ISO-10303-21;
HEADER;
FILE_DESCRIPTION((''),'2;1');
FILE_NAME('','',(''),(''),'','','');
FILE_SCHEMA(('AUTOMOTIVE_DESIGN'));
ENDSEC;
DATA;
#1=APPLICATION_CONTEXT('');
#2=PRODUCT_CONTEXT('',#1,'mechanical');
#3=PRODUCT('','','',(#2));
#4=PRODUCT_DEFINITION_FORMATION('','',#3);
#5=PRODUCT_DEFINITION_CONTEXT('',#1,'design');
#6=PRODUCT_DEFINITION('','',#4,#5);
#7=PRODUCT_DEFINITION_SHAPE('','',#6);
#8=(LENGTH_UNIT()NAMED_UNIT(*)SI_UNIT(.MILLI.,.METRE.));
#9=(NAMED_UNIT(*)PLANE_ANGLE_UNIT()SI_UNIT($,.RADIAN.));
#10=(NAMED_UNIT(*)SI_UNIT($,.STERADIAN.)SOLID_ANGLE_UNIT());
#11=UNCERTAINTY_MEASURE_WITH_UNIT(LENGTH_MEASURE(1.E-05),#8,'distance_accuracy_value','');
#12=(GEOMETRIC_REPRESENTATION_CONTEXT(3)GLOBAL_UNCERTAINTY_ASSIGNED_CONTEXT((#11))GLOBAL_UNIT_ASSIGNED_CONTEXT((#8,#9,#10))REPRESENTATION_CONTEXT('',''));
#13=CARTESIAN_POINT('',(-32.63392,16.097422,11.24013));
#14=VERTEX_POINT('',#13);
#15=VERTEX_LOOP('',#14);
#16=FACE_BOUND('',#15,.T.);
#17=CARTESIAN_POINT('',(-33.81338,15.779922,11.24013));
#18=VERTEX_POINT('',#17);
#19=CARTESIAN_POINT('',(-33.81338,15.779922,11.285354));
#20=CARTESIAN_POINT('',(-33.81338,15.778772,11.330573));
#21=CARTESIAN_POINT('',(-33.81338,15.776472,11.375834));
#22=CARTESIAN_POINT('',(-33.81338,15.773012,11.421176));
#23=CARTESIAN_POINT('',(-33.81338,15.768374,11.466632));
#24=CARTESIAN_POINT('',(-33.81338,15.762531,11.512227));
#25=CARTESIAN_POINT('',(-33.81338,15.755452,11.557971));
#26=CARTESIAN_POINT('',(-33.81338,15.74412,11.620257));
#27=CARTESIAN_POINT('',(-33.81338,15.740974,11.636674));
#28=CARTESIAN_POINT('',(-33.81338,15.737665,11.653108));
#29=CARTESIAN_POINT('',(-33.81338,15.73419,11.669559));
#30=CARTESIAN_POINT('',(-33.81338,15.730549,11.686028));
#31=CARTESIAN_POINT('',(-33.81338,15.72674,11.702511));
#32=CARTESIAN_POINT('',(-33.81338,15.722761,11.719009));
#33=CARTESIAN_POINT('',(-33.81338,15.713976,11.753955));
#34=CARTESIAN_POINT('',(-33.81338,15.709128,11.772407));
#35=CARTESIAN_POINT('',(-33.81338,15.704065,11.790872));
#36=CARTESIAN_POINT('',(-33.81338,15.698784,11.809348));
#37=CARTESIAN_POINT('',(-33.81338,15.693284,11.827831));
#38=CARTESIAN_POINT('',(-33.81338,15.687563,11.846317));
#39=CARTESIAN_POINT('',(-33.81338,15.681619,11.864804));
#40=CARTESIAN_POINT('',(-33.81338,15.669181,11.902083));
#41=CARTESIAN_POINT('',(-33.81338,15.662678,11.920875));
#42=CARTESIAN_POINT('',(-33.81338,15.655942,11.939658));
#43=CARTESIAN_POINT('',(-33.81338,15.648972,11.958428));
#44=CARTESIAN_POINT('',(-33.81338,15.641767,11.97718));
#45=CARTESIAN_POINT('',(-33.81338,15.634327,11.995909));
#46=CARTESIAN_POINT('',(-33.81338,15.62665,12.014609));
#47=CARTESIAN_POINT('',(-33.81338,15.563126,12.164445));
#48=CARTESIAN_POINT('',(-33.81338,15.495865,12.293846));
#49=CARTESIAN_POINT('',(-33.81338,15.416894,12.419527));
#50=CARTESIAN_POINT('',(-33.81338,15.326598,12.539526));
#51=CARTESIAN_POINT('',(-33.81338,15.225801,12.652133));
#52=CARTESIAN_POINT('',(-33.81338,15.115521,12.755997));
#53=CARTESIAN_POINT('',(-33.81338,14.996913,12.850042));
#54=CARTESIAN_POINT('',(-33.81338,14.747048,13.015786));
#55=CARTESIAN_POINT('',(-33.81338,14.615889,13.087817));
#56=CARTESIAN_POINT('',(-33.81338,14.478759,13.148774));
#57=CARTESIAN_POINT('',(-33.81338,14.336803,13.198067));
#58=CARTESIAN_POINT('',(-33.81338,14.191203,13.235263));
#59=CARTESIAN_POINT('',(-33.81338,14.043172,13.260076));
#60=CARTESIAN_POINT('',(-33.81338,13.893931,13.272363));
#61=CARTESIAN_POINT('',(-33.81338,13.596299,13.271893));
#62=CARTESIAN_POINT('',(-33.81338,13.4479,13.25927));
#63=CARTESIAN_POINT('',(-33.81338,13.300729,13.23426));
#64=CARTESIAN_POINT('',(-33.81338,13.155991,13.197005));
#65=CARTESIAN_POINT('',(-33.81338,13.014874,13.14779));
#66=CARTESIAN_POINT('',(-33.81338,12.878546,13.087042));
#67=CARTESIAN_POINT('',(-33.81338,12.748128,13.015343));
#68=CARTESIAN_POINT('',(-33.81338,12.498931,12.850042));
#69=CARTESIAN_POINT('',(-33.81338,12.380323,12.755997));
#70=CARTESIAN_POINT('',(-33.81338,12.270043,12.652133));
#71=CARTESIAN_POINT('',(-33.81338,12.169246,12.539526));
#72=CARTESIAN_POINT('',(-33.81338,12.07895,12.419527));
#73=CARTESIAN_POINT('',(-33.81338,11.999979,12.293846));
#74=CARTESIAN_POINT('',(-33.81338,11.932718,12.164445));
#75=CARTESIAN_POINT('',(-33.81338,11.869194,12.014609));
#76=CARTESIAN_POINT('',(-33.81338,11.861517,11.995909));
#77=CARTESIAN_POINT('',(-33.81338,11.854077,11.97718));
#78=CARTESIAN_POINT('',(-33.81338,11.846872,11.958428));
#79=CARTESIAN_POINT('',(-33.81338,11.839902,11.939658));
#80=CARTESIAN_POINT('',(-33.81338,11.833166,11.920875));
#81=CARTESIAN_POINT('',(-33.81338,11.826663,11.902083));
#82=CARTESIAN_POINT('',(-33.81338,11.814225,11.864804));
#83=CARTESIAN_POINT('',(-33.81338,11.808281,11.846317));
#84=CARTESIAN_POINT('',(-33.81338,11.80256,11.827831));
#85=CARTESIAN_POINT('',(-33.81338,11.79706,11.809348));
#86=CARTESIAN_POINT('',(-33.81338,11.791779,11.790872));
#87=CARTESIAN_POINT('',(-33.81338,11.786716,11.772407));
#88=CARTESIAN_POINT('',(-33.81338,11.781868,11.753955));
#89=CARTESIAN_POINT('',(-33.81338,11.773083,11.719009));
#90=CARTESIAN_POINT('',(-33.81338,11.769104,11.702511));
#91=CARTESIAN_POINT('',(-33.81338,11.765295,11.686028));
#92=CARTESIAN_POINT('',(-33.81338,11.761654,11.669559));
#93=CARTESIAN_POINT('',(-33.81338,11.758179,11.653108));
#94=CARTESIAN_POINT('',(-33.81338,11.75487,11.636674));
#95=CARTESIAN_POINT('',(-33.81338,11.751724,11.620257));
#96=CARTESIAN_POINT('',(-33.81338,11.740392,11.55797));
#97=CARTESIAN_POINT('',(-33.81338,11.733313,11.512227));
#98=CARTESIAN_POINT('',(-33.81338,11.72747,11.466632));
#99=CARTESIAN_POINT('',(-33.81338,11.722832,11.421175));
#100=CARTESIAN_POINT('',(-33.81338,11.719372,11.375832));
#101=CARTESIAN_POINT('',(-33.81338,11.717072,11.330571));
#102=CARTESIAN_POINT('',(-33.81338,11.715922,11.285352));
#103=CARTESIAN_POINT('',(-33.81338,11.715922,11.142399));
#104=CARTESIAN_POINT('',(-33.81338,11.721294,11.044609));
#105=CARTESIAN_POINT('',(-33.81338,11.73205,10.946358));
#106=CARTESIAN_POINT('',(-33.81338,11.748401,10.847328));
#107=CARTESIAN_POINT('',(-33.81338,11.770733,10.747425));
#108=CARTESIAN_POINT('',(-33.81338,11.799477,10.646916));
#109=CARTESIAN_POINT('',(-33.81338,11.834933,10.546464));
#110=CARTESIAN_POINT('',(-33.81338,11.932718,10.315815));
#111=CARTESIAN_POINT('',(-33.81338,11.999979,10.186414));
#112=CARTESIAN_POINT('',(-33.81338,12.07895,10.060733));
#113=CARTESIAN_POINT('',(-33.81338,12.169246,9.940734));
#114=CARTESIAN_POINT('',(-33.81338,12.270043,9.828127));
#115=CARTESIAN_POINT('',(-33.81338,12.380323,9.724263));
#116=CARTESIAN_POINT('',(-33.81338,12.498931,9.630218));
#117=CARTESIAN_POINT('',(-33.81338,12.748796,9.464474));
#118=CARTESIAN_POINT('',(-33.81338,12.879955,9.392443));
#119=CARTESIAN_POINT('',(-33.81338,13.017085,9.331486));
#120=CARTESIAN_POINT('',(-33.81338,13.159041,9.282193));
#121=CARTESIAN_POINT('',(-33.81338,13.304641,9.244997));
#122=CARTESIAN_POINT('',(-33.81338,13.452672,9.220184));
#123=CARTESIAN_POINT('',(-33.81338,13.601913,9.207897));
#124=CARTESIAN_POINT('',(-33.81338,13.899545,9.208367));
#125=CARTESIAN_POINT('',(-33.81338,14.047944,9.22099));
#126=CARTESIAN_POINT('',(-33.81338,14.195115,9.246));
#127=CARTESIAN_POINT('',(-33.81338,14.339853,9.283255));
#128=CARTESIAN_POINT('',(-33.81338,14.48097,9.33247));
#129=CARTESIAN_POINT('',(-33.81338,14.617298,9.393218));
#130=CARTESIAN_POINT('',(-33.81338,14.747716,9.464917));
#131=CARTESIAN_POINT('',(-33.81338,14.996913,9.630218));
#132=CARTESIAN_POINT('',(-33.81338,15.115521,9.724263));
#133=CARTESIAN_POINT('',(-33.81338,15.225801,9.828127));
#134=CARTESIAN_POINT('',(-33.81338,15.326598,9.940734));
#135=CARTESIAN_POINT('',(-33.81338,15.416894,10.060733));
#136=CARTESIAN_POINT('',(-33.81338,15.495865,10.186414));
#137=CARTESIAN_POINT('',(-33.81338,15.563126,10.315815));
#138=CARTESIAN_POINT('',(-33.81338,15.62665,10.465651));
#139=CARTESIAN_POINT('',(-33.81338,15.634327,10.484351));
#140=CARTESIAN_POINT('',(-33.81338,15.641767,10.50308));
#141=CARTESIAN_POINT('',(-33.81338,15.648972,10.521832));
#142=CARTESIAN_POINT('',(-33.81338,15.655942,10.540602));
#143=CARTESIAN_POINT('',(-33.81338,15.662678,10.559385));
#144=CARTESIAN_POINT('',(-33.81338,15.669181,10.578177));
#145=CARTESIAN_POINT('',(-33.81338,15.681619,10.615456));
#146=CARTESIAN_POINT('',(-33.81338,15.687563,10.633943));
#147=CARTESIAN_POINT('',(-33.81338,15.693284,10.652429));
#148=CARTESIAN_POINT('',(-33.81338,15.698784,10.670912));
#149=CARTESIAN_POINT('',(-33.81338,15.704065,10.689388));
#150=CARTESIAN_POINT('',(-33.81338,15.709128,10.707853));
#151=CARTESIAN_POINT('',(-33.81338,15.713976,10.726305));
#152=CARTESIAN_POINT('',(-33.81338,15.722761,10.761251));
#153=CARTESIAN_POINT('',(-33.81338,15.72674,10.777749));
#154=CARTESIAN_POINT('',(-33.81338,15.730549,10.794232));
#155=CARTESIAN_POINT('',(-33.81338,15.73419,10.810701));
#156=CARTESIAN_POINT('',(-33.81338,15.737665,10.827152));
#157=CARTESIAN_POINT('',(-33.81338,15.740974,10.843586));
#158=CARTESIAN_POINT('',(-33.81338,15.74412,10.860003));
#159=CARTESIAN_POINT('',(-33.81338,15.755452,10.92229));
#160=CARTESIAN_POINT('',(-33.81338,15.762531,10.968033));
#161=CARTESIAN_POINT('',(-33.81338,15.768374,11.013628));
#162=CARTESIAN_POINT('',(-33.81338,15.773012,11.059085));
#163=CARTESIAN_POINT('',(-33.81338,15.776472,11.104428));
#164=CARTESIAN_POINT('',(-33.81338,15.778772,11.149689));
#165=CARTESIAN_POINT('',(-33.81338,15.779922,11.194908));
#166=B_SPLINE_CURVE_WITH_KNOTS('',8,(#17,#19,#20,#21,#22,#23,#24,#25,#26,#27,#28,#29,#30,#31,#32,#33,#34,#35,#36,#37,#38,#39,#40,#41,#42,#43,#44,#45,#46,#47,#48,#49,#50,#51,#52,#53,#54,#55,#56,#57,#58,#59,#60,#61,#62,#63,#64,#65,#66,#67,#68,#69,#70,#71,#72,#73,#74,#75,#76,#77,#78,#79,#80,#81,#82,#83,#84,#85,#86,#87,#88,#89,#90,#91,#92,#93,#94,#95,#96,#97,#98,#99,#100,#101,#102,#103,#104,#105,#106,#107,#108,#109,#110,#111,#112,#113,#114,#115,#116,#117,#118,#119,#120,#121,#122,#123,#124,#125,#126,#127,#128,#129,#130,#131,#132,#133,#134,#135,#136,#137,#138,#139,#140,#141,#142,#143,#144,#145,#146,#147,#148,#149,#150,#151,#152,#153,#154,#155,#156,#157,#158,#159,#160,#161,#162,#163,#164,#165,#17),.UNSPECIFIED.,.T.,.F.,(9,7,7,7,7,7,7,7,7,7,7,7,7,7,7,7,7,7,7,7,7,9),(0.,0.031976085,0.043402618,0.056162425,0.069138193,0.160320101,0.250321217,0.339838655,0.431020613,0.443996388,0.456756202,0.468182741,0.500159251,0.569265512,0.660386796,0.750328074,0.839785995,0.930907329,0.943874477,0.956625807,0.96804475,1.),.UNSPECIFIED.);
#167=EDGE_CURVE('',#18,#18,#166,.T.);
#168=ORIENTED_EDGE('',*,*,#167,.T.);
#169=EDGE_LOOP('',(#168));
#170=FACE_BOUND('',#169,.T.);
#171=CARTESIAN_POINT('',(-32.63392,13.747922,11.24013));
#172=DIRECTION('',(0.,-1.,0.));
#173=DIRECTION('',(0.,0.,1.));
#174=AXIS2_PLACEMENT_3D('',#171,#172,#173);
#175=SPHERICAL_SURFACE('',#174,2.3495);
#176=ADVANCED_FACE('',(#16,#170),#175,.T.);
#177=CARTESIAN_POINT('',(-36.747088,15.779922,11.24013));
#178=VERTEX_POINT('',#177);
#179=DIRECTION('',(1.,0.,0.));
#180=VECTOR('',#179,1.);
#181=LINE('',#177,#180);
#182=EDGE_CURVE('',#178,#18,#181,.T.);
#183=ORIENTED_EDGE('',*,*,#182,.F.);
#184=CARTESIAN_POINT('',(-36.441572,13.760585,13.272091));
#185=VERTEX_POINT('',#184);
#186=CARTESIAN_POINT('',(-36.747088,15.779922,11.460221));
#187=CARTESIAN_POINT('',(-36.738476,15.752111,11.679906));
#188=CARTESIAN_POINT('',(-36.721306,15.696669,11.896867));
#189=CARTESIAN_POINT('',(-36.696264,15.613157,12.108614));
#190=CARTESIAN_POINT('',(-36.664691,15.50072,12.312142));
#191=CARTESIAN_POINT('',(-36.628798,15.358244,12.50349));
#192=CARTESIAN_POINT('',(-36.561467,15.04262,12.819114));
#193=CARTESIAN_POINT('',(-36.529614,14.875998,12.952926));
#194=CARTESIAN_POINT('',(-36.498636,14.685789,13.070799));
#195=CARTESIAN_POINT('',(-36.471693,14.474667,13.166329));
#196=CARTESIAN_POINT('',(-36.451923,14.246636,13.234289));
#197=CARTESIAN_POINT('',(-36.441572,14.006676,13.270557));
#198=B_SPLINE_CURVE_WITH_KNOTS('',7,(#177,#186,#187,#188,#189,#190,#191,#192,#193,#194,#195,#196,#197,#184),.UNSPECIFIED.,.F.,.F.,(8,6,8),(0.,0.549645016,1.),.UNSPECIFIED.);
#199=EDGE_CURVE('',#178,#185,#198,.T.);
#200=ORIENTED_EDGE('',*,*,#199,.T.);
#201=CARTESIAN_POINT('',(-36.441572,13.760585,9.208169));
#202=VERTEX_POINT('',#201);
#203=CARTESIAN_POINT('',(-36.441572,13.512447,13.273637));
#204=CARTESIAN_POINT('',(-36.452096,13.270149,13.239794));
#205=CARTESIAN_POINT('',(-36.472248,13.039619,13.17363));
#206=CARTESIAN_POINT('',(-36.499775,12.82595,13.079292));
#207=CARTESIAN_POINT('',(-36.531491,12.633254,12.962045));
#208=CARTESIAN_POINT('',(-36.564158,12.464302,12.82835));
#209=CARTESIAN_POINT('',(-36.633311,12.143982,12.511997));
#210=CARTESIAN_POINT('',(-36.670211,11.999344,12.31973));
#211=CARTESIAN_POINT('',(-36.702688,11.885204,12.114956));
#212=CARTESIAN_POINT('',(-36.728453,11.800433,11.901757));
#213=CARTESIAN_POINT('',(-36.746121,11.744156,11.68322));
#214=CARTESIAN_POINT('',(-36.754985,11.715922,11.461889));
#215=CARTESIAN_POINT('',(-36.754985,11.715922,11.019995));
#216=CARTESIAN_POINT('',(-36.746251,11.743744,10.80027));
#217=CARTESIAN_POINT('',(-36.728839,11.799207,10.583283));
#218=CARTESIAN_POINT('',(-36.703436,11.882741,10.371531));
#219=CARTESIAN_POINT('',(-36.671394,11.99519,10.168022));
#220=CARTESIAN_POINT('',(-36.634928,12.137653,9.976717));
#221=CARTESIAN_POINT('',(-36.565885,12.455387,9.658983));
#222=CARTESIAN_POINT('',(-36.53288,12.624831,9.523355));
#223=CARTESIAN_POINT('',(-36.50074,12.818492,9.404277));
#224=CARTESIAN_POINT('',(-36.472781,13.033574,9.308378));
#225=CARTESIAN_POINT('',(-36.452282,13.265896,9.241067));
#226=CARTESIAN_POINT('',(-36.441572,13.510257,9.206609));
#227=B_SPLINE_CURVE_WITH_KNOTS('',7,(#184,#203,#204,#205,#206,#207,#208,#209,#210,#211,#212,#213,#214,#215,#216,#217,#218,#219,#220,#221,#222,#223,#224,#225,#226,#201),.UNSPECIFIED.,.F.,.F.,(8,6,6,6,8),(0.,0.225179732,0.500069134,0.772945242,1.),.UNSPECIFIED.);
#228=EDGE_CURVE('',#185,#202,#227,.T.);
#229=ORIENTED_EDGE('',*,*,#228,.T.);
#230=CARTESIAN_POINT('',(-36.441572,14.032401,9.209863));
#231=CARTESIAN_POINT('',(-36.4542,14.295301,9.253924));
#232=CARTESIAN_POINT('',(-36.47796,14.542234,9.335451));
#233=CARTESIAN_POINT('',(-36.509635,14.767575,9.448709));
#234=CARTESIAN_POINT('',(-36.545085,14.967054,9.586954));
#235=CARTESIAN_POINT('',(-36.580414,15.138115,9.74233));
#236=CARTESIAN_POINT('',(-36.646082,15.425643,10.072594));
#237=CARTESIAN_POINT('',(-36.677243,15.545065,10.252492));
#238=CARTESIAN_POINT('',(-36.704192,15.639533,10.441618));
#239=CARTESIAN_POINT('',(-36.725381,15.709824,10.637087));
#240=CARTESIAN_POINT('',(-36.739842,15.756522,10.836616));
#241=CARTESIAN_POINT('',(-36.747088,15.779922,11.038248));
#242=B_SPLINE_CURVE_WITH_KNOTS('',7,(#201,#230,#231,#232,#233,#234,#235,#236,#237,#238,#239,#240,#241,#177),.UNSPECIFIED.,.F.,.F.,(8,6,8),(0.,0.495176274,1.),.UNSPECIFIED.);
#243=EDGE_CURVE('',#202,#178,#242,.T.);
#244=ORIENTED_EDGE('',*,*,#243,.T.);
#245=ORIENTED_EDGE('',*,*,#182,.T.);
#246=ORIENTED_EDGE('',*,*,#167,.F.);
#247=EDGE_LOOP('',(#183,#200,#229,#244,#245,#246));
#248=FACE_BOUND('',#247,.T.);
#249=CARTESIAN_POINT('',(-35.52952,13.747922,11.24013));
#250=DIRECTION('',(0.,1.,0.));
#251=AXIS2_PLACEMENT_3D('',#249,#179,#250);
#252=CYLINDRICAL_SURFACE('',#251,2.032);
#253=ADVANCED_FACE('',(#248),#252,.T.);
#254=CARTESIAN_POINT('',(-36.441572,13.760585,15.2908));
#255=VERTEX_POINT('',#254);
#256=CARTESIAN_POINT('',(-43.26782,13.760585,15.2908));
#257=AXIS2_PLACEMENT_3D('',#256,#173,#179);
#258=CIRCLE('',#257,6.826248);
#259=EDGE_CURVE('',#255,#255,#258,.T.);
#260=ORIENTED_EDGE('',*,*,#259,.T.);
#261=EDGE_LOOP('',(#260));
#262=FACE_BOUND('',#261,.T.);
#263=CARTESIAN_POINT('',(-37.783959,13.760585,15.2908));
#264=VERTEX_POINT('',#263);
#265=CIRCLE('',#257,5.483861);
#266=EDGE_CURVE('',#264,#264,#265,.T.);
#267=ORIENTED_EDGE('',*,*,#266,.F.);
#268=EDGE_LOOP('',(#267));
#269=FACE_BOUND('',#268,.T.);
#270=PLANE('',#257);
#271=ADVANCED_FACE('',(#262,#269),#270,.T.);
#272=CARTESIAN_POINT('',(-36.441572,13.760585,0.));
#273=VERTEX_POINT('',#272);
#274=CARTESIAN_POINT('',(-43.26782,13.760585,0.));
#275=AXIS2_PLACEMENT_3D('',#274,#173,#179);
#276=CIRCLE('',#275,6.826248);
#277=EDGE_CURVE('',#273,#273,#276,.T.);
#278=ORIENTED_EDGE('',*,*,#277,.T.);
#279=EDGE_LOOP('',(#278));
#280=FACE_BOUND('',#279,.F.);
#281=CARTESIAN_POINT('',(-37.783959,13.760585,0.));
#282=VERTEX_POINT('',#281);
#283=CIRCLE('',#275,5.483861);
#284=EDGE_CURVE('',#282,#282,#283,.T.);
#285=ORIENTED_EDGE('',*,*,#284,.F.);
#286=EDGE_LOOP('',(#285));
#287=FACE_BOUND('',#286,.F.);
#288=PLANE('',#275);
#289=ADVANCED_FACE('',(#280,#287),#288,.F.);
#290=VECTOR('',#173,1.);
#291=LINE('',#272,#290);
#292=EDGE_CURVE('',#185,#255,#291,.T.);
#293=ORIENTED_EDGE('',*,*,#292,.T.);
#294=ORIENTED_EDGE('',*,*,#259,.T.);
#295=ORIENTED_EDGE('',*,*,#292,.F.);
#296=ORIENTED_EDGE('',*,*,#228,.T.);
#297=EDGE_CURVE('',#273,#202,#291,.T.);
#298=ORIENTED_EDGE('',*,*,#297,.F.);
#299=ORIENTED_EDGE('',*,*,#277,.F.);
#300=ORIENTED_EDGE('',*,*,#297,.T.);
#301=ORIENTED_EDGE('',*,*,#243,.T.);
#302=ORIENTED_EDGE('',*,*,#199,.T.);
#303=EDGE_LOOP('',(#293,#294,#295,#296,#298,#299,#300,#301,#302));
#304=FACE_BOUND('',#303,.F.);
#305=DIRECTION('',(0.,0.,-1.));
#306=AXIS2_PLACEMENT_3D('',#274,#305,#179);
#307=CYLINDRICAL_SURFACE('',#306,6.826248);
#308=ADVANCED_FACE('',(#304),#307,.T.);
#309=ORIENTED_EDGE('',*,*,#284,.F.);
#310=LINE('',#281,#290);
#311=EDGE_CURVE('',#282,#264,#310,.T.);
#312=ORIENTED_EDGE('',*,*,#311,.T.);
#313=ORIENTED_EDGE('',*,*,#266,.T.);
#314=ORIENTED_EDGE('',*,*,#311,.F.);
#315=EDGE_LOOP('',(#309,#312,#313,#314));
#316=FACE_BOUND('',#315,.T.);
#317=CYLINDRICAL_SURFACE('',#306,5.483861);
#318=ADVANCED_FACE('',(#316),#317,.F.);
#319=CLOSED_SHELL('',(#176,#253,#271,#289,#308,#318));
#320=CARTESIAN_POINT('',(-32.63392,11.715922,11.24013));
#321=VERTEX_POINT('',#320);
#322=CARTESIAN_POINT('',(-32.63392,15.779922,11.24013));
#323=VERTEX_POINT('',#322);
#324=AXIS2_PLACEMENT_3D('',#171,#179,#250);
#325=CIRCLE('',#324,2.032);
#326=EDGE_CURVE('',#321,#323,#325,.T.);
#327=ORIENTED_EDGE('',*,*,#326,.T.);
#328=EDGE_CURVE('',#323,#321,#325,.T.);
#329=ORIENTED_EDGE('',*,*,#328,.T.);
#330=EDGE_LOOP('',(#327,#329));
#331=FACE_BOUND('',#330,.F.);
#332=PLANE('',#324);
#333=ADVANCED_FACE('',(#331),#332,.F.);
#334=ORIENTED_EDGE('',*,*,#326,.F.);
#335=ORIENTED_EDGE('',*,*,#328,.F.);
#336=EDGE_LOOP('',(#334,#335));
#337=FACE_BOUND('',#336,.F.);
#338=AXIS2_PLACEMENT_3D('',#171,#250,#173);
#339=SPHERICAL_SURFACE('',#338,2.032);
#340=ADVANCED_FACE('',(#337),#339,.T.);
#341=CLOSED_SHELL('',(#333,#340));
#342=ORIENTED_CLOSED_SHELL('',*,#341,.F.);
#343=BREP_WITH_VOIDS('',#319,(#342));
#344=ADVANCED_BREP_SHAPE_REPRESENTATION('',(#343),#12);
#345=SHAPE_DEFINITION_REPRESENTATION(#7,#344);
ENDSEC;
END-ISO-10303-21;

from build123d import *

# Parameters (mm, degrees)
F0_R          = 6.826248
F0_R_2        = 5.483861
F1_DEPTH      = 15.2908
F3_R          = 2.032
F4_DEPTH      = 2.8956
F4_DEPTH_BACK = 1.6256


with BuildPart() as f1:
    # F0 (on Top) → F1 (new body)
    with BuildSketch(Plane.XY):
        with Locations((-43.26782, 13.760585)):
            Circle(F0_R)
        with Locations((-43.26782, 13.760585)):
            Circle(F0_R_2, mode=Mode.SUBTRACT)
    extrude(amount=F1_DEPTH)

    # F3 (on offset) → F4 (join, two sides)
    with BuildSketch(Plane.YZ.offset(-35.52952)) as f4_sk:
        with Locations((13.747922, 11.24013)):
            Circle(F3_R)
    extrude(amount=F4_DEPTH)
    extrude(f4_sk.sketch, amount=-F4_DEPTH_BACK)

    # F5 (on face) → F6 (revolve)
    with BuildSketch(Plane.YZ.offset(-32.63392)):
        with BuildLine():
            Line((11.398422, 11.24013), (11.715922, 11.24013))
            ThreePointArc((11.715922, 11.24013), (13.747922, 13.27213), (15.779922, 11.24013))
            Line((15.779922, 11.24013), (16.097422, 11.24013))
            ThreePointArc((16.097422, 11.24013), (13.747922, 13.58963), (11.398422, 11.24013))
        make_face()
    revolve(axis=Axis((-32.63392, 12.573172, 11.24013), (0, -1, 0)))


solid = f1.part
